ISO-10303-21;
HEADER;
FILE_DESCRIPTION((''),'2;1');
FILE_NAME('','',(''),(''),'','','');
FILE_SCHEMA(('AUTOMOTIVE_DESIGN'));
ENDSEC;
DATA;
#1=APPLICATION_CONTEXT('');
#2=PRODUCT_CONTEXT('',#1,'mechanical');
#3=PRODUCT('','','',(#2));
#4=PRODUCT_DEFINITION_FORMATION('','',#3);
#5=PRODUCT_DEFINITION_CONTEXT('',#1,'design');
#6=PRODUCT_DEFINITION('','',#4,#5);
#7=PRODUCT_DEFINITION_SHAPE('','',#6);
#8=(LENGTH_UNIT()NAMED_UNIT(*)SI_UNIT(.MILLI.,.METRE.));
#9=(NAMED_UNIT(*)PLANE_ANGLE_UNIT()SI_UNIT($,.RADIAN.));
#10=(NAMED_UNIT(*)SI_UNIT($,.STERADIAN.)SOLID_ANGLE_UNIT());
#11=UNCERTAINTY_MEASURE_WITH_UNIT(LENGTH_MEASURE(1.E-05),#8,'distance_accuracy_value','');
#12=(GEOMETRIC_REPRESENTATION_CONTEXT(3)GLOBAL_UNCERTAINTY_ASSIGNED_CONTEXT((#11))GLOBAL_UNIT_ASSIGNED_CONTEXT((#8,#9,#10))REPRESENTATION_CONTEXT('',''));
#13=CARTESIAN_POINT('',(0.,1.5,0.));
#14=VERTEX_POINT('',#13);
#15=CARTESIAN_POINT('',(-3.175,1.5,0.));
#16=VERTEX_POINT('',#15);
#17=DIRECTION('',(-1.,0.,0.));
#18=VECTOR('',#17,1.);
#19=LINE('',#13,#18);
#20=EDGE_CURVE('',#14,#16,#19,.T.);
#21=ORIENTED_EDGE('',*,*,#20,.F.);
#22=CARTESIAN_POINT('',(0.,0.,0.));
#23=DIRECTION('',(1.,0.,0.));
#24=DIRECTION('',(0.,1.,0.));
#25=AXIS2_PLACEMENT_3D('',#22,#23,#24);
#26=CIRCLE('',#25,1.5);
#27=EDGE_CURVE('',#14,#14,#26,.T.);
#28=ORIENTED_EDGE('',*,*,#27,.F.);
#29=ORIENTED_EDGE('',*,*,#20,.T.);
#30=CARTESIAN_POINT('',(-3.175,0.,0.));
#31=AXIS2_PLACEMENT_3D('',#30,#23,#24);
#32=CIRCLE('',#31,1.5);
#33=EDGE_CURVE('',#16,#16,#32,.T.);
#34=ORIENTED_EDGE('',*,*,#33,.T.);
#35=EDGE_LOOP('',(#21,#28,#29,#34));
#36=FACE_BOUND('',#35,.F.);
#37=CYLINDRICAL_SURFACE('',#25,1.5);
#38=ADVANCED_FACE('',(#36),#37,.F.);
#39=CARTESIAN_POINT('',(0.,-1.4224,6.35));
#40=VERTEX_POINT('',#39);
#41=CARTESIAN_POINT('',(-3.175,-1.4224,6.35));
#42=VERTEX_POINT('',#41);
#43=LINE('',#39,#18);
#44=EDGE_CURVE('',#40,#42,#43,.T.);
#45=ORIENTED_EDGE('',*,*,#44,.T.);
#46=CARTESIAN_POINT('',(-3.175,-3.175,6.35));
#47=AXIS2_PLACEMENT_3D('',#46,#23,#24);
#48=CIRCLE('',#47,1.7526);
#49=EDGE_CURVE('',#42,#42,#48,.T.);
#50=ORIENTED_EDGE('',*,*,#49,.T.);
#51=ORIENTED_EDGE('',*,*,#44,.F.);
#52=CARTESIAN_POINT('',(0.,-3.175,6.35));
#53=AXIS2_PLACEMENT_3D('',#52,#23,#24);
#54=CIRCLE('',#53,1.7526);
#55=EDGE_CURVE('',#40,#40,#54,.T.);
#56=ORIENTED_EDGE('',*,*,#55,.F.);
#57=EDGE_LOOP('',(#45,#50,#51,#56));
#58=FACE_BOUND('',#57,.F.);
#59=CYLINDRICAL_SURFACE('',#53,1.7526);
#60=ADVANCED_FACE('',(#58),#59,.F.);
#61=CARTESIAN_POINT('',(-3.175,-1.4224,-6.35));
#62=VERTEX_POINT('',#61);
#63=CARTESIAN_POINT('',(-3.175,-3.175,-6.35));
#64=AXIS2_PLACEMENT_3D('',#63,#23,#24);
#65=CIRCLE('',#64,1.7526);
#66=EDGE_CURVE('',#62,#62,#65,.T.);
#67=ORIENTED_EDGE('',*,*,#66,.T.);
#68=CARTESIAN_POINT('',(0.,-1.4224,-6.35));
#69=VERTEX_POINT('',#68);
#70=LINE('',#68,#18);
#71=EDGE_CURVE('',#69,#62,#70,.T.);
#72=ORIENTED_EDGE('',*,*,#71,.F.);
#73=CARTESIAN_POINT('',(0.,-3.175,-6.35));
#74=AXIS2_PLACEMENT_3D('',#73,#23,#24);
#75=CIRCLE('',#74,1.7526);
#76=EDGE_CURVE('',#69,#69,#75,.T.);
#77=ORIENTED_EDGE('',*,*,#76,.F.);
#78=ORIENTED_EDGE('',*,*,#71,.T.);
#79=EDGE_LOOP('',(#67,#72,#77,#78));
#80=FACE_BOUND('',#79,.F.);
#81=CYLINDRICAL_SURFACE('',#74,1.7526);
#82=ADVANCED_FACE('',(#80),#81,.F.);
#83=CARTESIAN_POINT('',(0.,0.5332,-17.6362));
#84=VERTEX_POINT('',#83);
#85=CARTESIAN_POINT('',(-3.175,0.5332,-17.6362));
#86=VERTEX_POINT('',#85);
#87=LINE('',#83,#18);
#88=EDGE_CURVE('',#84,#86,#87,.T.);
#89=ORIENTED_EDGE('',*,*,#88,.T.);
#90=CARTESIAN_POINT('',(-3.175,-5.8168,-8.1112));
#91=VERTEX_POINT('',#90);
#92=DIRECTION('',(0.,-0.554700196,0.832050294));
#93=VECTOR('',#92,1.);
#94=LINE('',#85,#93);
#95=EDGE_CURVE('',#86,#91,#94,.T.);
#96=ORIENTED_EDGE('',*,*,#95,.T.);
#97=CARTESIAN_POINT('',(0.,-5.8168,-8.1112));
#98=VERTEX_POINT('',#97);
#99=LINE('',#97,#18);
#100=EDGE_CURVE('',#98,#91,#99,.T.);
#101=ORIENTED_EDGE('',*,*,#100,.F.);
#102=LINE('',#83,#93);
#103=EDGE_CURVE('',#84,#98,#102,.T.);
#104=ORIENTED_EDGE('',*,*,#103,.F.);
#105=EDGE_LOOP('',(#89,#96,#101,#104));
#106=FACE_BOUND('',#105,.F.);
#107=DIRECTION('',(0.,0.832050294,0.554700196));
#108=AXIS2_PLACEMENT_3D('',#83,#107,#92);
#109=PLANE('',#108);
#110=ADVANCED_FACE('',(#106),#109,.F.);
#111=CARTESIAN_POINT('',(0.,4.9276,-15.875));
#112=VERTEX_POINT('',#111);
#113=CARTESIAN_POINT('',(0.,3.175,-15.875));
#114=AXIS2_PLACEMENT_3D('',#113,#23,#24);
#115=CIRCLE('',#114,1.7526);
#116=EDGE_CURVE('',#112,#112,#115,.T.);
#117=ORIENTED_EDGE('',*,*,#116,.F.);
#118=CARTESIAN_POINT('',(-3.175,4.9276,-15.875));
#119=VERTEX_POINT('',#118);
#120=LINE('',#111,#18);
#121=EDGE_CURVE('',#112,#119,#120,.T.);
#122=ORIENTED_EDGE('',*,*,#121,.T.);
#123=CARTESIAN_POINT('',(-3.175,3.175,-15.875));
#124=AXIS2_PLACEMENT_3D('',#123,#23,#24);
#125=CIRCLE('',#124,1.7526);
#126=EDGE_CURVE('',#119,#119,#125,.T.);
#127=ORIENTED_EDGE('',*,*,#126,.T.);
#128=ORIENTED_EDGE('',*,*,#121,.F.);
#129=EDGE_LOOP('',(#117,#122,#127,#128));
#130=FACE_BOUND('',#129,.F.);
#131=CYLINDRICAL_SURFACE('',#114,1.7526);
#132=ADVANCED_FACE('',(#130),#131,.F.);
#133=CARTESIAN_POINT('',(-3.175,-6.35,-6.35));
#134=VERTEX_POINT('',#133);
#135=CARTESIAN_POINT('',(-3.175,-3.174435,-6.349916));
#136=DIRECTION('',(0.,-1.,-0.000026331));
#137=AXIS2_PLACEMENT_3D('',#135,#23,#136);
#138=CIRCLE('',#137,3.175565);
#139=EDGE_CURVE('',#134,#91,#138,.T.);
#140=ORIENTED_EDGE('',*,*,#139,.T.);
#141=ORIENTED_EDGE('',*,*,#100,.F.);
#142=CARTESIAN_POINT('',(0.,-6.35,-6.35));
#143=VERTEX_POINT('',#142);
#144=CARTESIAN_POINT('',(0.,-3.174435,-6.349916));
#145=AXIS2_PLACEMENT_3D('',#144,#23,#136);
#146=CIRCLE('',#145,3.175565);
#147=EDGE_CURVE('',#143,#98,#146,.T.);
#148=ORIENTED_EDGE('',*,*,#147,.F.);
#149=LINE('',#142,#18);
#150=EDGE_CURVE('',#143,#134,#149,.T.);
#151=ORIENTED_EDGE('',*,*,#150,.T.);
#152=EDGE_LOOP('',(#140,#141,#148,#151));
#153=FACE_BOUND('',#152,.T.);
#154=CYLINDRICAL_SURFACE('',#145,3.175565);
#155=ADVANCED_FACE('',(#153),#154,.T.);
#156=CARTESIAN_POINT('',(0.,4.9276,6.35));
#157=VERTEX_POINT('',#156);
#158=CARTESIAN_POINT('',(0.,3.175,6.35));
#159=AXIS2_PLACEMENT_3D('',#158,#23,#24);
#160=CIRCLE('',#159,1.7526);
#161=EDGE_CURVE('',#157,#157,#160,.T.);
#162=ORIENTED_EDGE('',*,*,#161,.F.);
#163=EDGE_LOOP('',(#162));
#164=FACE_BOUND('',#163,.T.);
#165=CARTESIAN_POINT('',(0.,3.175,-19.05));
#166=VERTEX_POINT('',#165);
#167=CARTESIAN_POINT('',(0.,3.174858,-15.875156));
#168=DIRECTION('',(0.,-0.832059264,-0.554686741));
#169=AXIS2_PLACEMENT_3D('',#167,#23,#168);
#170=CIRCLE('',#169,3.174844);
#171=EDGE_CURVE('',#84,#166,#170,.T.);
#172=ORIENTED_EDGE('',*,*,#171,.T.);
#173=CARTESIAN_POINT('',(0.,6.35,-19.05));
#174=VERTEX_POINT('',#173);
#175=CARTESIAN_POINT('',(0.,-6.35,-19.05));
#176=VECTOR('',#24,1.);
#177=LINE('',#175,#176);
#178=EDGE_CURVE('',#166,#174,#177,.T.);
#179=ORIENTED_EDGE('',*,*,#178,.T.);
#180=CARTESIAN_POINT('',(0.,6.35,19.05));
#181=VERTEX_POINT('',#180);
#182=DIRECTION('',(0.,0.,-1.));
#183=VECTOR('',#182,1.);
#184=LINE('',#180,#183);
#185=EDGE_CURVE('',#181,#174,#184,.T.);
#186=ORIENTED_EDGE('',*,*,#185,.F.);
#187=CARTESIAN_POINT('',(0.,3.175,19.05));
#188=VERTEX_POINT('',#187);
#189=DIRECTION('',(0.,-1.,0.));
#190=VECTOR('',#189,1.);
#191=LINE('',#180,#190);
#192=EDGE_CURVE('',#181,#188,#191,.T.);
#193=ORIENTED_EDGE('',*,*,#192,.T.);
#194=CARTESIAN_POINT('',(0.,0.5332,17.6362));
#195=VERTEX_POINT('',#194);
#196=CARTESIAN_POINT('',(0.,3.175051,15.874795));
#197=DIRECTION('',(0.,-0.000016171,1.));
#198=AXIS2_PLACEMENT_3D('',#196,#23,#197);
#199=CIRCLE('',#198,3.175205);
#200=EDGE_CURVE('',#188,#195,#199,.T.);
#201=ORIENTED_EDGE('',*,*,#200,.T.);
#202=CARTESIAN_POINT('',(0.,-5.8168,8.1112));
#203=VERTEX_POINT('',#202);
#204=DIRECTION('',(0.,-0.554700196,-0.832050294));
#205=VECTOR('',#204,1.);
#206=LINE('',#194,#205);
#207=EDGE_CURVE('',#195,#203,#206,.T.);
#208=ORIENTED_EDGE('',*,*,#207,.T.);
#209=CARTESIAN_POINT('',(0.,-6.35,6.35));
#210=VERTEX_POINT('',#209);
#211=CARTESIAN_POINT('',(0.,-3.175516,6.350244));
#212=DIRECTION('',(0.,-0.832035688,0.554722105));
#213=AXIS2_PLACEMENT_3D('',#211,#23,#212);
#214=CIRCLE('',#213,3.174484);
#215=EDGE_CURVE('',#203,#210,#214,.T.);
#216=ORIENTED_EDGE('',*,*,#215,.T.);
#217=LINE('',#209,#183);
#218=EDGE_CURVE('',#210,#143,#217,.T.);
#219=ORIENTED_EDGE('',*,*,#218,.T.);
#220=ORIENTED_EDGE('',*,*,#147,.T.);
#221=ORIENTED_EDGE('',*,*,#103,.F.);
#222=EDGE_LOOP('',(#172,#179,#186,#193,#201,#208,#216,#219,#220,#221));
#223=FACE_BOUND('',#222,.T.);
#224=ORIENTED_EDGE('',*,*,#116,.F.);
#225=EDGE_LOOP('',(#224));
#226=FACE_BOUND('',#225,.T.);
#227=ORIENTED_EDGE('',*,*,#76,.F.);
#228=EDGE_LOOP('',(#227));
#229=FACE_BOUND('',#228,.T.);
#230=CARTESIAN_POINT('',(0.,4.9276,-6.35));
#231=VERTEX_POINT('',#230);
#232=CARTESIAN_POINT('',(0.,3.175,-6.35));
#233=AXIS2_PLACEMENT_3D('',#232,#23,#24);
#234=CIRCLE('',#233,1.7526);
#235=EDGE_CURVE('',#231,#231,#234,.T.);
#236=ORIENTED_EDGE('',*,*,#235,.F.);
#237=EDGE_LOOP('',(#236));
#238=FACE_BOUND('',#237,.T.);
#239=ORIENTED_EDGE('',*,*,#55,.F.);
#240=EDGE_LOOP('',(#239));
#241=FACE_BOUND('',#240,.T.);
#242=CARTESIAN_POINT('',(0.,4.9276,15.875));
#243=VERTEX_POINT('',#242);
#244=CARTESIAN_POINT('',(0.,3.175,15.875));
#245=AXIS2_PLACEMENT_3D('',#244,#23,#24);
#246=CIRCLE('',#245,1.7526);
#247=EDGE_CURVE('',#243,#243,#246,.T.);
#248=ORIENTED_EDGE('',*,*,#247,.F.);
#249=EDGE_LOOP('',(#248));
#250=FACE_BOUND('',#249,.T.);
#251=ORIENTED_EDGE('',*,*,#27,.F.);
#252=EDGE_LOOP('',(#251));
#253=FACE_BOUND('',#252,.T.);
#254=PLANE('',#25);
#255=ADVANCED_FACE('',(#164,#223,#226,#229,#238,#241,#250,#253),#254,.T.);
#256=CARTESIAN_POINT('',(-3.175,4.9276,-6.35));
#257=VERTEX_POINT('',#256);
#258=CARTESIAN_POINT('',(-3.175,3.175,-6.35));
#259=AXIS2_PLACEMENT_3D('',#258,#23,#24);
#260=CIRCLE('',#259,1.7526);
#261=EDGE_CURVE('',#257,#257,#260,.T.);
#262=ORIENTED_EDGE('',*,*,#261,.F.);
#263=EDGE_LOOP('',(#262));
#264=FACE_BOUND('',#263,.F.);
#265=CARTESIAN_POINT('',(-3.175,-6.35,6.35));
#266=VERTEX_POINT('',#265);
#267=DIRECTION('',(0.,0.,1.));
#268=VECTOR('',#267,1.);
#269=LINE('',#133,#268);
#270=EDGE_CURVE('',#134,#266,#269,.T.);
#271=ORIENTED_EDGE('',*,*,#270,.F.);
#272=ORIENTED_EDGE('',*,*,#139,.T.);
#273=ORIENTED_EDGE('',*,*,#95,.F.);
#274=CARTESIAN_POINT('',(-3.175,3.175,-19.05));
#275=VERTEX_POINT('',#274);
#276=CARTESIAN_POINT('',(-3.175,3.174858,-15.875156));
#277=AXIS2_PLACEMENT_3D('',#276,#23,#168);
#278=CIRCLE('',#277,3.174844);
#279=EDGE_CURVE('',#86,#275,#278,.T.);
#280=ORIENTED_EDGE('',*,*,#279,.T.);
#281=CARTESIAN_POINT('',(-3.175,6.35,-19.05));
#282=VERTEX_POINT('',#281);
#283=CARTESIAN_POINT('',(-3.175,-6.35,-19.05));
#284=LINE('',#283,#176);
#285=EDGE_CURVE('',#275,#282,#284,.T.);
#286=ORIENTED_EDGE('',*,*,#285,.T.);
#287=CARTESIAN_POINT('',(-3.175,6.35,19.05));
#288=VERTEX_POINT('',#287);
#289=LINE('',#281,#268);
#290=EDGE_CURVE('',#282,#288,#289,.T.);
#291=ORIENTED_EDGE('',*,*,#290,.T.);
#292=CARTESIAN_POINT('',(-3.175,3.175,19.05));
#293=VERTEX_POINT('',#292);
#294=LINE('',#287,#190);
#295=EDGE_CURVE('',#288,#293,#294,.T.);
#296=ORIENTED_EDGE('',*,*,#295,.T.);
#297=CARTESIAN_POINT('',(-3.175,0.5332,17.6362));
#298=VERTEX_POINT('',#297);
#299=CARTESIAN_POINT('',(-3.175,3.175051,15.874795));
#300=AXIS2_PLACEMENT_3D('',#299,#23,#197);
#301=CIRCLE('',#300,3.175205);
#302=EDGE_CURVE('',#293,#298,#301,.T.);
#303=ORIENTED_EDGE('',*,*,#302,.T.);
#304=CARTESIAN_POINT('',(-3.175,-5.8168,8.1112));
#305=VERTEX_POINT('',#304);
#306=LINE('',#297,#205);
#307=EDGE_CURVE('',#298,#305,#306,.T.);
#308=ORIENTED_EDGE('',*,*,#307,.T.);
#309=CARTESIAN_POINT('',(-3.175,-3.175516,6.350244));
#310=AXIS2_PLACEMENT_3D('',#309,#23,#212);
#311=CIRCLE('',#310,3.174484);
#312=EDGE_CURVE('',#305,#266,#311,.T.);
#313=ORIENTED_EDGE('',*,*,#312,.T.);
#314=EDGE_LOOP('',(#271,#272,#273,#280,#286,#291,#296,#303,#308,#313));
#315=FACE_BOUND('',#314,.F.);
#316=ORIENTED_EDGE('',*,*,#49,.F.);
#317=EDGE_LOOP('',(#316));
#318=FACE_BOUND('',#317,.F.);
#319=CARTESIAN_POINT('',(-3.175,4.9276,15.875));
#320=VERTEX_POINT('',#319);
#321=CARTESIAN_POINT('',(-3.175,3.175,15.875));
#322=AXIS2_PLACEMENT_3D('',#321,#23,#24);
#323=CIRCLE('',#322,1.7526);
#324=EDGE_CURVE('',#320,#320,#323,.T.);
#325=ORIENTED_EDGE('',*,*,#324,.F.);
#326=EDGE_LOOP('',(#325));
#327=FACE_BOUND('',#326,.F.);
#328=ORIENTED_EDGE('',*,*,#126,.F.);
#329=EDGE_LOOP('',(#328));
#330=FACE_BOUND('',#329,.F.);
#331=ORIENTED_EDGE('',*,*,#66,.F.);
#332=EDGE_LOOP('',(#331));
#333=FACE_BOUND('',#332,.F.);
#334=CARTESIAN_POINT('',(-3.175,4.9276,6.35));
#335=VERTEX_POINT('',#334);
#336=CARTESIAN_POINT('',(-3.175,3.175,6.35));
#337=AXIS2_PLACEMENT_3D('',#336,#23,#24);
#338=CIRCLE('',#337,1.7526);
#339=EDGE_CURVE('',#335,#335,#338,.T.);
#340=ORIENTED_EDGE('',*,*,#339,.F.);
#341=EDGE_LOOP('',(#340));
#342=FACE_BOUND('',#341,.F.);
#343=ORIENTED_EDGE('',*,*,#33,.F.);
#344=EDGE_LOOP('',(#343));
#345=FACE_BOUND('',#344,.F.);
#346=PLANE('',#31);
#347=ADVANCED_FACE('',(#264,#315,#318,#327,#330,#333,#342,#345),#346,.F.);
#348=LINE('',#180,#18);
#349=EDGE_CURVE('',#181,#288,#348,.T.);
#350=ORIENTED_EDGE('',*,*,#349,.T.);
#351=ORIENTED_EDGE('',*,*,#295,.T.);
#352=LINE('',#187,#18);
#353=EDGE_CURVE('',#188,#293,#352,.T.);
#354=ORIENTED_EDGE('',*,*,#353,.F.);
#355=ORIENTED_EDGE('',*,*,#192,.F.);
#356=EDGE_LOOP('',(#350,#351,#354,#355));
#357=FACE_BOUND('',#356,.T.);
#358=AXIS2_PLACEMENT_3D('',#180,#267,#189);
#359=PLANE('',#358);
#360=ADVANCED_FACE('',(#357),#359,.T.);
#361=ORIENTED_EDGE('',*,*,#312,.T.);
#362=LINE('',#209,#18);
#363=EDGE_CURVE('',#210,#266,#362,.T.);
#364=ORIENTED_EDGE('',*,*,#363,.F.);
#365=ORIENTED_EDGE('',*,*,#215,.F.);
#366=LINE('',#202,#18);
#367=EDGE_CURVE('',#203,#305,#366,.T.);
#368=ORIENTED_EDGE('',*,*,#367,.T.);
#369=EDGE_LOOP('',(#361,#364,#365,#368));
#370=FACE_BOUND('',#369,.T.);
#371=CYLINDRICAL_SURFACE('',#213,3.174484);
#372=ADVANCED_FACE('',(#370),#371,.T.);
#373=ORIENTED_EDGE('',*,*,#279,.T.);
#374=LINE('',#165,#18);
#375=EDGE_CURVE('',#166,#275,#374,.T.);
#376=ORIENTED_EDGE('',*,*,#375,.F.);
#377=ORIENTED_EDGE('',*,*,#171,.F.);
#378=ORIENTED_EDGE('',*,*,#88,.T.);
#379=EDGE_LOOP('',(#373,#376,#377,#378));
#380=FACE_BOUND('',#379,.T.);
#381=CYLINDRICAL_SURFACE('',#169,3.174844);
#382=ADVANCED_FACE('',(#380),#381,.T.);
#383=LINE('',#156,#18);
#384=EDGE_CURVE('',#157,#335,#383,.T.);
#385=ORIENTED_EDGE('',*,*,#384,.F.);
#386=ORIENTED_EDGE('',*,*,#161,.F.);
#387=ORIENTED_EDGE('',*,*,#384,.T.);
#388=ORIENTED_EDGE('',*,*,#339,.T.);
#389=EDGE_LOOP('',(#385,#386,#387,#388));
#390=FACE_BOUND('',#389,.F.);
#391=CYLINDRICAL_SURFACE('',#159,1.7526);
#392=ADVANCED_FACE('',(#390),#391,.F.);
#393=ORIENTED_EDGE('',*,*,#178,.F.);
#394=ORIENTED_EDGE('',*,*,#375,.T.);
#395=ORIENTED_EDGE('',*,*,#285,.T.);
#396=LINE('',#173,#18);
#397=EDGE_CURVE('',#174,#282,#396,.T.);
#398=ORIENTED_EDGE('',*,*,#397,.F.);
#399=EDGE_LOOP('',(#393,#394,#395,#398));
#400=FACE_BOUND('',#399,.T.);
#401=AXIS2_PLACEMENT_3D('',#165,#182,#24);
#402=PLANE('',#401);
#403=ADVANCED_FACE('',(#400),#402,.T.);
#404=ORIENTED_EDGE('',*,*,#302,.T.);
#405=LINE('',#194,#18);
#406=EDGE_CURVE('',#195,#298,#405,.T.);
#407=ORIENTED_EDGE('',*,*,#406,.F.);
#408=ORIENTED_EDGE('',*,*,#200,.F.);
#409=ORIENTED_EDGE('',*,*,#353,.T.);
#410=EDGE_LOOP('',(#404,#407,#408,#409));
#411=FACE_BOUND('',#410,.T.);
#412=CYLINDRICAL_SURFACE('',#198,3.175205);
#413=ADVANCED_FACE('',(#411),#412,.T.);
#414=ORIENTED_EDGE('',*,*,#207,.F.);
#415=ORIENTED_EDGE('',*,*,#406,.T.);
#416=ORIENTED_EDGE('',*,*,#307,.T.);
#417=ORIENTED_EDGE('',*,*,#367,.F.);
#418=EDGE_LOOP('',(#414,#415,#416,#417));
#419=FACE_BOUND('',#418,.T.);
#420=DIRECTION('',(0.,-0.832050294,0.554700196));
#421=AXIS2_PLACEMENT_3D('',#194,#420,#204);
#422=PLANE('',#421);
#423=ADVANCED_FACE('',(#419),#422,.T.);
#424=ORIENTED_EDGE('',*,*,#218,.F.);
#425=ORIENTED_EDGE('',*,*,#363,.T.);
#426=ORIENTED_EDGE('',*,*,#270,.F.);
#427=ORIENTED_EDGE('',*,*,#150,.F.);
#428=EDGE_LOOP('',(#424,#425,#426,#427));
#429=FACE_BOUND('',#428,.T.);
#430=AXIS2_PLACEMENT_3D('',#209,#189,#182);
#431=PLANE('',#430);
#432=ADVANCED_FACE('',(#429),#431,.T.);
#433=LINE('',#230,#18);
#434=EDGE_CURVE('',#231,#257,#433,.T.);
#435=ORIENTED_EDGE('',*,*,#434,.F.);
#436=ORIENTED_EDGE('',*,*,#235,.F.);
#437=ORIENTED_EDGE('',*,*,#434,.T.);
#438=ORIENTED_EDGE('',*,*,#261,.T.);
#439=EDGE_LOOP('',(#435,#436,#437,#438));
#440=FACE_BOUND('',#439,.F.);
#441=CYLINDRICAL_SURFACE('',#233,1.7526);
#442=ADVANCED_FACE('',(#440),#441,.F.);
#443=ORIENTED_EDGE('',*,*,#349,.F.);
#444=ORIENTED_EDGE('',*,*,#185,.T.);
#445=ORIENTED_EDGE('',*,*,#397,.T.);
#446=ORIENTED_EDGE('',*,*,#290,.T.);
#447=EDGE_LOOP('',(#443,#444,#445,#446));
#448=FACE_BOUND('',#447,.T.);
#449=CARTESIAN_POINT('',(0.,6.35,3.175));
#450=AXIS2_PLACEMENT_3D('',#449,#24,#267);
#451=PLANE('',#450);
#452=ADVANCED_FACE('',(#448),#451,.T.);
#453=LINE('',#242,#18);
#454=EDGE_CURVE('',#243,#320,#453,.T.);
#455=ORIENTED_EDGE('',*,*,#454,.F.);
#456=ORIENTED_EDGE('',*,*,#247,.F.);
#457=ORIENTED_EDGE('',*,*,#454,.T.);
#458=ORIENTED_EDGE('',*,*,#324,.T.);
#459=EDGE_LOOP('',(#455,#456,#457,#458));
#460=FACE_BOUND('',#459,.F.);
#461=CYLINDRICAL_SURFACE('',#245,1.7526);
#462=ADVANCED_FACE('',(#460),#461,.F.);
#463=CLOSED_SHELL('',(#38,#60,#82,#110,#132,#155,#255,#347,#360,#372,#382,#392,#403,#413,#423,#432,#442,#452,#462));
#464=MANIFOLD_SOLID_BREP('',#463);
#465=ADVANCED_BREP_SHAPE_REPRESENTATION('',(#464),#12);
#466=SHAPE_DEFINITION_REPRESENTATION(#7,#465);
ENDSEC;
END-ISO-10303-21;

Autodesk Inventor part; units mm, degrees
ref_plane "YZ Plane" through (0, 0, 0) normal (1, 0, 0) x (0, 1, 0)
ref_plane "XZ Plane" through (0, 0, 0) normal (0, 1, 0) x (-1, 0, 0)
ref_plane "XY Plane" through (0, 0, 0) normal (0, 0, 1) x (1, 0, 0)
sketch "Sketch1" plane through (0, 0, 0) normal (1, 0, 0) x (0, 1, 0)
  line L0 (3.175, 6.35) -> (-3.175, 6.35) construction
  line L1 (-3.175, 6.35) -> (-3.175, -6.35) construction
  line L2 (-3.175, -6.35) -> (3.175, -6.35) construction
  line L3 (3.175, -6.35) -> (3.175, 6.35) construction
  line L4 (3.175, 6.35) -> (-3.175, -6.35) construction
  line L5 (-3.175, 6.35) -> (3.175, -6.35) construction
  circle A0 centre (0, 0) radius 1.5
  circle A1 centre (3.175, 6.35) radius 1.7526
  circle A2 centre (3.175, -6.35) radius 1.7526
  circle A3 centre (-3.175, 6.35) radius 1.7526
  circle A4 centre (-3.175, -6.35) radius 1.7526
  line L6 (6.35, 19.05) -> (-6.35, 19.05)
  line L7 (-6.35, 19.05) -> (-6.35, -19.05)
  line L8 (-6.35, -19.05) -> (6.35, -19.05)
  line L9 (6.35, -19.05) -> (6.35, 19.05)
  line L10 (6.35, 19.05) -> (-6.35, -19.05) construction
  line L11 (-6.35, 19.05) -> (6.35, -19.05) construction
  line L12 (-6.35, 0) -> (6.35, 0) construction
  line L13 (-6.35, -3.175) -> (6.35, -3.175)
  line L14 (6.35, 3.175) -> (-6.35, 3.175)
  arc A5 (-6.35, 3.175) -> (-6.35, -3.175) centre (-6.35, 0) ccw
  arc A6 (6.35, -3.175) -> (6.35, 3.175) centre (6.35, 0) ccw
  circle A7 centre (3.175, 15.875) radius 1.7526
  arc A8 (3.175, 19.05) -> (0.5332, 17.6362) centre (3.175, 15.875) ccw
  arc A9 (-5.8168, 8.1112) -> (-6.35, 6.35) centre (-3.175, 6.35) ccw
  line L15 (0.5332, 17.6362) -> (-5.8168, 8.1112)
  circle A10 centre (3.175, -15.875) radius 1.7526
  arc A11 (0.5332, -17.6362) -> (3.175, -19.05) centre (3.175, -15.875) ccw
  arc A12 (-6.35, -6.35) -> (-5.8168, -8.1112) centre (-3.175, -6.35) ccw
  line L16 (0.5332, -17.6362) -> (-5.8168, -8.1112)
  point P0 (3.175, -19.05)
  point P1 (-6.35, -6.35)
  dimension "d0" = 6.35
  dimension "d1" = 12.7
  dimension "d2" = 3
  dimension "d3" = 3.5052
  dimension "d6" = 12.7
  dimension "d9" = 6.35
  dimension "d12" = 12.7
  dimension "d13" = 38.1
  dimension "d14" = 6.35
  dimension "d20" = 3.5052
  dimension "d21" = 9.525
extrude "Extrusion2" add sketch "Sketch1" against normal blind 3.175 contours L9 L14 L7 A9 L15 A8 L6 | L9 L13 L7 L14 | L9 L8 A11 L16 A12 L7 L13
equation "\"d3\" = d20"
equation "\"d6\" = d1"
equation "\"d9\" = d0"
properties part number "Pin Cap" material "Aluminum 6061"
